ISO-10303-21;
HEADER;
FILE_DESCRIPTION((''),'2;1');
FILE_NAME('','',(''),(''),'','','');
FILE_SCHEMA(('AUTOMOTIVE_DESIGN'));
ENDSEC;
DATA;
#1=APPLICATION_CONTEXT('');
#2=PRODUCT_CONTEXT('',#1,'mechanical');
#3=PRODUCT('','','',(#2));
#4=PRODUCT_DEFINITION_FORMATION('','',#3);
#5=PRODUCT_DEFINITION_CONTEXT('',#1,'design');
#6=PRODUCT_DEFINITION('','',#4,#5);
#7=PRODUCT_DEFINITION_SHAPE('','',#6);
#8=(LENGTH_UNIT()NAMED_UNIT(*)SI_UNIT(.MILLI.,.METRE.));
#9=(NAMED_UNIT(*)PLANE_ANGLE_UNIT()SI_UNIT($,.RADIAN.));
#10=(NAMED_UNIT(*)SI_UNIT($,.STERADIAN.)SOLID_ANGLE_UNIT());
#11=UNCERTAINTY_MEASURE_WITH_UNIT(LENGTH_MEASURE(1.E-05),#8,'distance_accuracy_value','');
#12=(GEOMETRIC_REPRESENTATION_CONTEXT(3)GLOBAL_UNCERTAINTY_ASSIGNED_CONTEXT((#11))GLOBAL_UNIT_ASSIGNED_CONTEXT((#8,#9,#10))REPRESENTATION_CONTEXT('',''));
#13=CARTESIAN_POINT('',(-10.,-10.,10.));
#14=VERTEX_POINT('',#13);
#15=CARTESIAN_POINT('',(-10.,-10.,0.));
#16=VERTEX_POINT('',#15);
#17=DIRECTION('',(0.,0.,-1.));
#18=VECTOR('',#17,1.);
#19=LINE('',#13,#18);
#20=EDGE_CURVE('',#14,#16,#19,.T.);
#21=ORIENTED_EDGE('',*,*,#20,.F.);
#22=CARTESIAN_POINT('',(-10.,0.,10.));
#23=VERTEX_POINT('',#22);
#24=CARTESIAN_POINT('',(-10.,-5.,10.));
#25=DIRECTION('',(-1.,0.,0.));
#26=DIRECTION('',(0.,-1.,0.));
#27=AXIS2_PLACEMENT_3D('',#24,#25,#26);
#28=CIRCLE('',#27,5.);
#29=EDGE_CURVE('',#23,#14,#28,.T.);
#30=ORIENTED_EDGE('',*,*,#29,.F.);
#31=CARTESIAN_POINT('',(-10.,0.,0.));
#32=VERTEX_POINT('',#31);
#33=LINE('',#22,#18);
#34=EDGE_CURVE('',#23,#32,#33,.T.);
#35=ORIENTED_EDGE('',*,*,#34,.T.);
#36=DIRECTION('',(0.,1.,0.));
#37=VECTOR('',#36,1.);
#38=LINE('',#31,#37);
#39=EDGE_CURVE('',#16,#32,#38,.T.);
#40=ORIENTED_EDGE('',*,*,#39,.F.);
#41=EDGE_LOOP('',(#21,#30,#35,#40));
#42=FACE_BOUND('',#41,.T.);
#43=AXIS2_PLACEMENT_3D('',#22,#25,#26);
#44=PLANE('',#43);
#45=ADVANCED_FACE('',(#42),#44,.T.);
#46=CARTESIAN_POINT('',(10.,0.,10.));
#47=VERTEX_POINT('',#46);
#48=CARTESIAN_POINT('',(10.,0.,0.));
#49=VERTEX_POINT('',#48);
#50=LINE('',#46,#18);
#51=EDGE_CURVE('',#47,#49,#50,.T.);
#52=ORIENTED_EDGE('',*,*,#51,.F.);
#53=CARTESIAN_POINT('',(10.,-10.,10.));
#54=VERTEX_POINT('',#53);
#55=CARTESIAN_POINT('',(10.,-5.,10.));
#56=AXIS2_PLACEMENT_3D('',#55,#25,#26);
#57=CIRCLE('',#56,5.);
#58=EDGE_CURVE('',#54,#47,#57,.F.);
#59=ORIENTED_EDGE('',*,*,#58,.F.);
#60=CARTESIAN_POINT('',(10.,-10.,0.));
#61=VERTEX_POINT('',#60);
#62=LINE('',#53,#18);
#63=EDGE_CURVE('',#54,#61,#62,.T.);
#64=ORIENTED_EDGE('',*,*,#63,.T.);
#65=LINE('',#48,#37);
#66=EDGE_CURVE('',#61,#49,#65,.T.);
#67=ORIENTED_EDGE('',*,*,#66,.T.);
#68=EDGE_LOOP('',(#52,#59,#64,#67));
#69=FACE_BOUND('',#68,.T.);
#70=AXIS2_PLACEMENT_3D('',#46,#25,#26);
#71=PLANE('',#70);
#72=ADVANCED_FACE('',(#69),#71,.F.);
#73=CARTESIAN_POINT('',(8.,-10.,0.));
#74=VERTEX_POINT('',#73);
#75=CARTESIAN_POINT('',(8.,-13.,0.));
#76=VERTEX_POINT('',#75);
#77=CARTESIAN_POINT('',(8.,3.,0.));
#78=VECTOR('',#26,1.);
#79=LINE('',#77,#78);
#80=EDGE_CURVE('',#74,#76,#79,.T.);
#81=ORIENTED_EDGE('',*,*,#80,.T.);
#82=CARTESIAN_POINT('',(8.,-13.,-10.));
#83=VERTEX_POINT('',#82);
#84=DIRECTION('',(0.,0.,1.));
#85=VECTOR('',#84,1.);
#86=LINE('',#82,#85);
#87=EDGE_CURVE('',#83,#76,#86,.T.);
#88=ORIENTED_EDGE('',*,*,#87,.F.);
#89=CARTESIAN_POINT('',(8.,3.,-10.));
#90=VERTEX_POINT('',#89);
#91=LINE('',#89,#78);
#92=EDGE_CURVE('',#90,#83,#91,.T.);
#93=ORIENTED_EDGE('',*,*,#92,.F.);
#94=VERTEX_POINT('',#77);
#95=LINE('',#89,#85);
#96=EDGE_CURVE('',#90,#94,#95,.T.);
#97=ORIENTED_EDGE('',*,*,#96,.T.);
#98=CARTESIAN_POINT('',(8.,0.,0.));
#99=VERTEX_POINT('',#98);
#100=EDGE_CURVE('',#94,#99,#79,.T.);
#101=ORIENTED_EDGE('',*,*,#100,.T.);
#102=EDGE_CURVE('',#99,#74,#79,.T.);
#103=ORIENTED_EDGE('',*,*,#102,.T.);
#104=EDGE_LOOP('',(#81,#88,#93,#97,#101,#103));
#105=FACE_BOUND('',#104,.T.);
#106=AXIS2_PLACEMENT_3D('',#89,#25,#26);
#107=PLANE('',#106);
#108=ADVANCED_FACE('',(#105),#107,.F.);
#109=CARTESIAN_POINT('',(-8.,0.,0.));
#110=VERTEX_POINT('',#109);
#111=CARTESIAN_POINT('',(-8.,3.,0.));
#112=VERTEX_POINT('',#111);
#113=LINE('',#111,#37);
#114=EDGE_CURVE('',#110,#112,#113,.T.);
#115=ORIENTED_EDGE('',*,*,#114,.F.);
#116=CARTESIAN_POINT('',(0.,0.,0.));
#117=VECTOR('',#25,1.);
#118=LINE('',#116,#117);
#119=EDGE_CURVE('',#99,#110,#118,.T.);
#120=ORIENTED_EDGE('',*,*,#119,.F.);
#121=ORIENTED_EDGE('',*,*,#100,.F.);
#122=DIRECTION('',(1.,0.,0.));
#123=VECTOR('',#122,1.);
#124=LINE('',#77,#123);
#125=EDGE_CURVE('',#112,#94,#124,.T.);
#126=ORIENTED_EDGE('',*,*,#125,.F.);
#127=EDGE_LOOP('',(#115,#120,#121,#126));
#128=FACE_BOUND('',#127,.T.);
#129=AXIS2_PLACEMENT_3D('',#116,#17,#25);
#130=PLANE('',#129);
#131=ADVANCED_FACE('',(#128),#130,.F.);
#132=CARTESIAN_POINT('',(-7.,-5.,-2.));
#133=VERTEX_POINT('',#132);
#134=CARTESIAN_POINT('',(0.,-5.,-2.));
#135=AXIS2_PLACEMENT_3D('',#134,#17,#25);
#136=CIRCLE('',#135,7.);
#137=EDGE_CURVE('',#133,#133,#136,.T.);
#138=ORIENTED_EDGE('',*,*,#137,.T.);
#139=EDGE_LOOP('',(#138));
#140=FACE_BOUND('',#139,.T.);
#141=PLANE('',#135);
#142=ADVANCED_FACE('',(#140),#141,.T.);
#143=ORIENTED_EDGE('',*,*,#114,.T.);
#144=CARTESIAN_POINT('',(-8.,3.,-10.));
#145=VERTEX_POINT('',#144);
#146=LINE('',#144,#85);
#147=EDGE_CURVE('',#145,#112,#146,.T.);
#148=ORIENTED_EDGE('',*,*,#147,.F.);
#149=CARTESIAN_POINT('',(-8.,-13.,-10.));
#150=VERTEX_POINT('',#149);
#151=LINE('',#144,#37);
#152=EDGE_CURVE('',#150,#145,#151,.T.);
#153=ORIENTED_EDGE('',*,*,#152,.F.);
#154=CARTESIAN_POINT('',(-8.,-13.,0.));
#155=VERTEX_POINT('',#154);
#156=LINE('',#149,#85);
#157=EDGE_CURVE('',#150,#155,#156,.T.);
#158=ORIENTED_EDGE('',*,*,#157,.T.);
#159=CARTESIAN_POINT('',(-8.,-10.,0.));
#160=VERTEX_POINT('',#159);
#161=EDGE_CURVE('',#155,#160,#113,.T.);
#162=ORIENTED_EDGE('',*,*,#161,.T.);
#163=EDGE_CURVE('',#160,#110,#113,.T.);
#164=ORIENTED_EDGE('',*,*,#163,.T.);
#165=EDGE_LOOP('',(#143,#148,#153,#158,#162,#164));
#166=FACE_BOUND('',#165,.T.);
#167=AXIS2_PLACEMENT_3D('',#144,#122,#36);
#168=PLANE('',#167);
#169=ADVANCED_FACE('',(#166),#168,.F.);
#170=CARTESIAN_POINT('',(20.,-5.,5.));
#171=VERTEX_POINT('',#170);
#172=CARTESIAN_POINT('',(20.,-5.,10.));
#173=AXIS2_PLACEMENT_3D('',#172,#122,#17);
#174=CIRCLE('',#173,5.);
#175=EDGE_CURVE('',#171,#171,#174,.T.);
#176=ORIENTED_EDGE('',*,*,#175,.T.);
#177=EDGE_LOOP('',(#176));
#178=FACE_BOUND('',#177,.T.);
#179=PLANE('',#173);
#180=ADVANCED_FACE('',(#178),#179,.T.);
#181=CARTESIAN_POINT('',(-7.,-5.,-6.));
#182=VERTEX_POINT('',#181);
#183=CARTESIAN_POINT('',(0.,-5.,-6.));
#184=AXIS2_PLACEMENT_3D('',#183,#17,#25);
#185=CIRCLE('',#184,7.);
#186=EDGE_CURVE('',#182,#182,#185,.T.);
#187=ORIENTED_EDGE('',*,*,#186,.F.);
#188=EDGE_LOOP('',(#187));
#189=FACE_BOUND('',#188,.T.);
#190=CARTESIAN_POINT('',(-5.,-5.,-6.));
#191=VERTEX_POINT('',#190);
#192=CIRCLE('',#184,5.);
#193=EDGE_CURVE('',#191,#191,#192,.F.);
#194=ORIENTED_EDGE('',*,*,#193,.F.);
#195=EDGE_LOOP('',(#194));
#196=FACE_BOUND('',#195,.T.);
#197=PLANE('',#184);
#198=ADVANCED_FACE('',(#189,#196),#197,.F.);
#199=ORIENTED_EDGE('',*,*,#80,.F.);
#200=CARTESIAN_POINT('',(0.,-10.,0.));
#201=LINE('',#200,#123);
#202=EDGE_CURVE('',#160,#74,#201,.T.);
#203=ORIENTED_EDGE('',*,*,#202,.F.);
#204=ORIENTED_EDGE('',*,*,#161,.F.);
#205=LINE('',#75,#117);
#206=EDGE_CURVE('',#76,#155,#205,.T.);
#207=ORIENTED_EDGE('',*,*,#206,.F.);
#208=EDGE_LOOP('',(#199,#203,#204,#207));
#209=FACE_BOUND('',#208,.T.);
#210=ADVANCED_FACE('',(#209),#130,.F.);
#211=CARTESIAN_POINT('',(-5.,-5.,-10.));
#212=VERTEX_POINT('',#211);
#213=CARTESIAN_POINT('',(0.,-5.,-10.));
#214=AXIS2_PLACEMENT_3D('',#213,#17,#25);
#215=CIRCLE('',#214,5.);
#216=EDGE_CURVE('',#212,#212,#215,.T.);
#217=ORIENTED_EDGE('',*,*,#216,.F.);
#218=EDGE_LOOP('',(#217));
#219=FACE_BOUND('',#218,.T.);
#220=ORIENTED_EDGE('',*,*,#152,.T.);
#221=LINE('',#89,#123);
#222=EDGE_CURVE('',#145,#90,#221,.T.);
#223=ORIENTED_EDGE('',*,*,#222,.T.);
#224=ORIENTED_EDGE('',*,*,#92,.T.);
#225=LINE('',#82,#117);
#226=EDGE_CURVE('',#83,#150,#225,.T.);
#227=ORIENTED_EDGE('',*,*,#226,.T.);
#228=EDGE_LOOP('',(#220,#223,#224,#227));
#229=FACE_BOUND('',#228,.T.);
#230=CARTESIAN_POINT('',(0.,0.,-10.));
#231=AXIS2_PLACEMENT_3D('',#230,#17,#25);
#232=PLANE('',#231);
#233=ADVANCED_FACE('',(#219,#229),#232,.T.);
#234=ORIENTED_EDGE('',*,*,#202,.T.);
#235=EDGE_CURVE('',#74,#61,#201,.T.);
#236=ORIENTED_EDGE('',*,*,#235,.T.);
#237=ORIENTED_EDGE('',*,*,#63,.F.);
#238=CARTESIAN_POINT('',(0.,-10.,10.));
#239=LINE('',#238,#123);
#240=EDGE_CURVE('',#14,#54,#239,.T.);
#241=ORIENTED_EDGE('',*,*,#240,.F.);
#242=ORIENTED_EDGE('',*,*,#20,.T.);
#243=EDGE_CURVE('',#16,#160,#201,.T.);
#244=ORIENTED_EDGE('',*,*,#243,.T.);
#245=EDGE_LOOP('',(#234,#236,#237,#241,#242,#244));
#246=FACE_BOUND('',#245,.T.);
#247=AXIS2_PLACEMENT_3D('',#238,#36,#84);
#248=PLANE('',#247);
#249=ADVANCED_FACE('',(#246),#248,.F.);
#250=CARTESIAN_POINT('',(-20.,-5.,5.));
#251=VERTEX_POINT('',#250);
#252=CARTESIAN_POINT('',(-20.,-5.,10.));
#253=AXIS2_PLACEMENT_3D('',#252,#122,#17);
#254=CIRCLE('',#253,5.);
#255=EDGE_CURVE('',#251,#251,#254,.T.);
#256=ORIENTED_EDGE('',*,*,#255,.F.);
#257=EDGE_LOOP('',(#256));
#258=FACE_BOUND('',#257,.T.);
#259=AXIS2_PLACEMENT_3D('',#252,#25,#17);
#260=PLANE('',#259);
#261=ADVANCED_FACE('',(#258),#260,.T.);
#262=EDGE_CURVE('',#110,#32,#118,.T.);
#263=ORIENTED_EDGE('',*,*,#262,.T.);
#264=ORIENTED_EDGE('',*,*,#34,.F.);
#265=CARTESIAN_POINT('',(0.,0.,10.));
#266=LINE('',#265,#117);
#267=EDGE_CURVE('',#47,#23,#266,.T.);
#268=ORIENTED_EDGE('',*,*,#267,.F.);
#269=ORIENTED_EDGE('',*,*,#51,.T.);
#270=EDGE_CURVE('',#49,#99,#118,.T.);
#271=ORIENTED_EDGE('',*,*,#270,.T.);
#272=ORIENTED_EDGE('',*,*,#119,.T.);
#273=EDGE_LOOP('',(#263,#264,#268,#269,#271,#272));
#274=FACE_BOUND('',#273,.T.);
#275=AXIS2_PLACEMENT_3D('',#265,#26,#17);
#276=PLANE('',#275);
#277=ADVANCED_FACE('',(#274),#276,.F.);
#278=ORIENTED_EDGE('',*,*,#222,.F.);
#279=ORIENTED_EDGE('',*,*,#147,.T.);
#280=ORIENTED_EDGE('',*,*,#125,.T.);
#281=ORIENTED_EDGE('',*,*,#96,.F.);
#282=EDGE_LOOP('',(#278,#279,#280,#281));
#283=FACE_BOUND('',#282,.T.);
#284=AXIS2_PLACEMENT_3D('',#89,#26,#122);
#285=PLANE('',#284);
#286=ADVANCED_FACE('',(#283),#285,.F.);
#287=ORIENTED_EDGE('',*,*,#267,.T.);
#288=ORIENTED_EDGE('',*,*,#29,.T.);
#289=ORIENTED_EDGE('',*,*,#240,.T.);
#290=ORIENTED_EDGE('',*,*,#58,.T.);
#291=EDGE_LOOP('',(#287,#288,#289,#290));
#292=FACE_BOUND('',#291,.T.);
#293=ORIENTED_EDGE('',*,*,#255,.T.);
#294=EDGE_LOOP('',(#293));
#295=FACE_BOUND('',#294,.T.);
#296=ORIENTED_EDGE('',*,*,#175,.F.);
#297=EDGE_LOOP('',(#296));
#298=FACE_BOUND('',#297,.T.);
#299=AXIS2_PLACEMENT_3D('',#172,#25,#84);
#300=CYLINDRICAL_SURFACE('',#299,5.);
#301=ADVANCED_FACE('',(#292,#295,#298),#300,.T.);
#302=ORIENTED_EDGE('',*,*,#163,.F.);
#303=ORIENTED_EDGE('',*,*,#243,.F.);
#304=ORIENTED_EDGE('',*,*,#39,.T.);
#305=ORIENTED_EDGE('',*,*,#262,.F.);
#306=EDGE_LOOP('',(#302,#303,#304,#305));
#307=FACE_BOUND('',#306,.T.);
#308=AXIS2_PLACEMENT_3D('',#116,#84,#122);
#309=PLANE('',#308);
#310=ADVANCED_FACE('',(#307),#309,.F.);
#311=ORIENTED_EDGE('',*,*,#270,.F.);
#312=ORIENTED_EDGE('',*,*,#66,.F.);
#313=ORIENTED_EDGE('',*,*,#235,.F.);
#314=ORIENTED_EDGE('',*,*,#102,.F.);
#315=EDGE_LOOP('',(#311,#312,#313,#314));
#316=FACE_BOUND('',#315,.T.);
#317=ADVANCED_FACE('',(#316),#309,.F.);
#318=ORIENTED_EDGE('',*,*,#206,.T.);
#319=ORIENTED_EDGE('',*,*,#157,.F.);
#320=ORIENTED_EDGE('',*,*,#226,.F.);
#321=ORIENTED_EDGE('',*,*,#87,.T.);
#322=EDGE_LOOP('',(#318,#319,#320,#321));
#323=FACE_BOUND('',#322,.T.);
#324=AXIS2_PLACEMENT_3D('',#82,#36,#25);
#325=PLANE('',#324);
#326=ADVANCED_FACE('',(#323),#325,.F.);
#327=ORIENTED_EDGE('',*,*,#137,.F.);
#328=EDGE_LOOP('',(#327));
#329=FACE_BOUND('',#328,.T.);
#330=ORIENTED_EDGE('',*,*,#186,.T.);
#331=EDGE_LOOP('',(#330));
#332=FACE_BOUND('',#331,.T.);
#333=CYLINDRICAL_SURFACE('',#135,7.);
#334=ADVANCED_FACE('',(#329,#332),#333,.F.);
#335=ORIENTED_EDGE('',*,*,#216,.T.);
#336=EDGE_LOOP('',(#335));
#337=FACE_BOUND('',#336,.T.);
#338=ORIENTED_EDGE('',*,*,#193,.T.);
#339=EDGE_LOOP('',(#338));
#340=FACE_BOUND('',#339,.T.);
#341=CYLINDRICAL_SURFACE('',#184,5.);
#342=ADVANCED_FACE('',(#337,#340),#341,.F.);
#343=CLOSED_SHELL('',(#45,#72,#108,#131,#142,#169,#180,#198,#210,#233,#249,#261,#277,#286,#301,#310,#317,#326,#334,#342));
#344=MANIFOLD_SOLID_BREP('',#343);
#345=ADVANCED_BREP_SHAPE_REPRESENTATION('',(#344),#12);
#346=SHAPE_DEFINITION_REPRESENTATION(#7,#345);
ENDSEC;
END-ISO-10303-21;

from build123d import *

# Parameters (mm, degrees)
SKETCH2_W           = 10
SKETCH2_H           = 10
BOSS_EXTRUDE1_DEPTH = 10
SKETCH3_R           = 5
BOSS_EXTRUDE2_DEPTH = 20
SKETCH4_W           = 16
SKETCH4_H           = 16
BOSS_EXTRUDE3_DEPTH = 10
SKETCH5_R           = 5
CUT_EXTRUDE1_DEPTH  = 4
SKETCH6_R           = 7
CUT_EXTRUDE2_DEPTH  = 4


with BuildPart() as part:
    # Sketch2 → Boss-Extrude1 (new body)
    with BuildSketch(Plane.XY):
        with Locations((5, -5)):
            Rectangle(SKETCH2_W, SKETCH2_H)
    boss_extrude1 = extrude(amount=BOSS_EXTRUDE1_DEPTH)

    # Sketch3 → Boss-Extrude2 (add)
    with BuildSketch(Plane(origin=(0, 0, 0), x_dir=(0, 0, -1), z_dir=(1, 0, 0))):
        with Locations(Location((-10, -5, 0), (0, 0, 90))):
            Circle(SKETCH3_R)
    boss_extrude2 = extrude(amount=BOSS_EXTRUDE2_DEPTH)

    # Mirror1: Boss-Extrude1, Boss-Extrude2 across plane
    add(boss_extrude1.mirror(Plane(origin=(0, 0, 10), x_dir=(0, 0, 1), z_dir=(1, 0, 0))))
    add(boss_extrude2.mirror(Plane(origin=(0, 0, 10), x_dir=(0, 0, 1), z_dir=(1, 0, 0))))

    # Sketch4 → Boss-Extrude3 (add)
    with BuildSketch(Plane(origin=(0, 0, 0), x_dir=(-1, 0, 0), z_dir=(0, 0, -1))):
        with Locations((0, -5)):
            Rectangle(SKETCH4_W, SKETCH4_H)
    extrude(amount=BOSS_EXTRUDE3_DEPTH)

    # Sketch5 → Cut-Extrude1 (cut)
    with BuildSketch(Plane(origin=(0, 0, -10), x_dir=(-1, 0, 0), z_dir=(0, 0, -1))):
        with Locations((0, -5)):
            Circle(SKETCH5_R)
    extrude(amount=-CUT_EXTRUDE1_DEPTH, mode=Mode.SUBTRACT)

    # Sketch6 → Cut-Extrude2 (cut)
    with BuildSketch(Plane(origin=(0, 0, -6), x_dir=(-1, 0, 0), z_dir=(0, 0, -1))):
        with Locations((0, -5)):
            Circle(SKETCH6_R)
    extrude(amount=-CUT_EXTRUDE2_DEPTH, mode=Mode.SUBTRACT)


solid = part.part
